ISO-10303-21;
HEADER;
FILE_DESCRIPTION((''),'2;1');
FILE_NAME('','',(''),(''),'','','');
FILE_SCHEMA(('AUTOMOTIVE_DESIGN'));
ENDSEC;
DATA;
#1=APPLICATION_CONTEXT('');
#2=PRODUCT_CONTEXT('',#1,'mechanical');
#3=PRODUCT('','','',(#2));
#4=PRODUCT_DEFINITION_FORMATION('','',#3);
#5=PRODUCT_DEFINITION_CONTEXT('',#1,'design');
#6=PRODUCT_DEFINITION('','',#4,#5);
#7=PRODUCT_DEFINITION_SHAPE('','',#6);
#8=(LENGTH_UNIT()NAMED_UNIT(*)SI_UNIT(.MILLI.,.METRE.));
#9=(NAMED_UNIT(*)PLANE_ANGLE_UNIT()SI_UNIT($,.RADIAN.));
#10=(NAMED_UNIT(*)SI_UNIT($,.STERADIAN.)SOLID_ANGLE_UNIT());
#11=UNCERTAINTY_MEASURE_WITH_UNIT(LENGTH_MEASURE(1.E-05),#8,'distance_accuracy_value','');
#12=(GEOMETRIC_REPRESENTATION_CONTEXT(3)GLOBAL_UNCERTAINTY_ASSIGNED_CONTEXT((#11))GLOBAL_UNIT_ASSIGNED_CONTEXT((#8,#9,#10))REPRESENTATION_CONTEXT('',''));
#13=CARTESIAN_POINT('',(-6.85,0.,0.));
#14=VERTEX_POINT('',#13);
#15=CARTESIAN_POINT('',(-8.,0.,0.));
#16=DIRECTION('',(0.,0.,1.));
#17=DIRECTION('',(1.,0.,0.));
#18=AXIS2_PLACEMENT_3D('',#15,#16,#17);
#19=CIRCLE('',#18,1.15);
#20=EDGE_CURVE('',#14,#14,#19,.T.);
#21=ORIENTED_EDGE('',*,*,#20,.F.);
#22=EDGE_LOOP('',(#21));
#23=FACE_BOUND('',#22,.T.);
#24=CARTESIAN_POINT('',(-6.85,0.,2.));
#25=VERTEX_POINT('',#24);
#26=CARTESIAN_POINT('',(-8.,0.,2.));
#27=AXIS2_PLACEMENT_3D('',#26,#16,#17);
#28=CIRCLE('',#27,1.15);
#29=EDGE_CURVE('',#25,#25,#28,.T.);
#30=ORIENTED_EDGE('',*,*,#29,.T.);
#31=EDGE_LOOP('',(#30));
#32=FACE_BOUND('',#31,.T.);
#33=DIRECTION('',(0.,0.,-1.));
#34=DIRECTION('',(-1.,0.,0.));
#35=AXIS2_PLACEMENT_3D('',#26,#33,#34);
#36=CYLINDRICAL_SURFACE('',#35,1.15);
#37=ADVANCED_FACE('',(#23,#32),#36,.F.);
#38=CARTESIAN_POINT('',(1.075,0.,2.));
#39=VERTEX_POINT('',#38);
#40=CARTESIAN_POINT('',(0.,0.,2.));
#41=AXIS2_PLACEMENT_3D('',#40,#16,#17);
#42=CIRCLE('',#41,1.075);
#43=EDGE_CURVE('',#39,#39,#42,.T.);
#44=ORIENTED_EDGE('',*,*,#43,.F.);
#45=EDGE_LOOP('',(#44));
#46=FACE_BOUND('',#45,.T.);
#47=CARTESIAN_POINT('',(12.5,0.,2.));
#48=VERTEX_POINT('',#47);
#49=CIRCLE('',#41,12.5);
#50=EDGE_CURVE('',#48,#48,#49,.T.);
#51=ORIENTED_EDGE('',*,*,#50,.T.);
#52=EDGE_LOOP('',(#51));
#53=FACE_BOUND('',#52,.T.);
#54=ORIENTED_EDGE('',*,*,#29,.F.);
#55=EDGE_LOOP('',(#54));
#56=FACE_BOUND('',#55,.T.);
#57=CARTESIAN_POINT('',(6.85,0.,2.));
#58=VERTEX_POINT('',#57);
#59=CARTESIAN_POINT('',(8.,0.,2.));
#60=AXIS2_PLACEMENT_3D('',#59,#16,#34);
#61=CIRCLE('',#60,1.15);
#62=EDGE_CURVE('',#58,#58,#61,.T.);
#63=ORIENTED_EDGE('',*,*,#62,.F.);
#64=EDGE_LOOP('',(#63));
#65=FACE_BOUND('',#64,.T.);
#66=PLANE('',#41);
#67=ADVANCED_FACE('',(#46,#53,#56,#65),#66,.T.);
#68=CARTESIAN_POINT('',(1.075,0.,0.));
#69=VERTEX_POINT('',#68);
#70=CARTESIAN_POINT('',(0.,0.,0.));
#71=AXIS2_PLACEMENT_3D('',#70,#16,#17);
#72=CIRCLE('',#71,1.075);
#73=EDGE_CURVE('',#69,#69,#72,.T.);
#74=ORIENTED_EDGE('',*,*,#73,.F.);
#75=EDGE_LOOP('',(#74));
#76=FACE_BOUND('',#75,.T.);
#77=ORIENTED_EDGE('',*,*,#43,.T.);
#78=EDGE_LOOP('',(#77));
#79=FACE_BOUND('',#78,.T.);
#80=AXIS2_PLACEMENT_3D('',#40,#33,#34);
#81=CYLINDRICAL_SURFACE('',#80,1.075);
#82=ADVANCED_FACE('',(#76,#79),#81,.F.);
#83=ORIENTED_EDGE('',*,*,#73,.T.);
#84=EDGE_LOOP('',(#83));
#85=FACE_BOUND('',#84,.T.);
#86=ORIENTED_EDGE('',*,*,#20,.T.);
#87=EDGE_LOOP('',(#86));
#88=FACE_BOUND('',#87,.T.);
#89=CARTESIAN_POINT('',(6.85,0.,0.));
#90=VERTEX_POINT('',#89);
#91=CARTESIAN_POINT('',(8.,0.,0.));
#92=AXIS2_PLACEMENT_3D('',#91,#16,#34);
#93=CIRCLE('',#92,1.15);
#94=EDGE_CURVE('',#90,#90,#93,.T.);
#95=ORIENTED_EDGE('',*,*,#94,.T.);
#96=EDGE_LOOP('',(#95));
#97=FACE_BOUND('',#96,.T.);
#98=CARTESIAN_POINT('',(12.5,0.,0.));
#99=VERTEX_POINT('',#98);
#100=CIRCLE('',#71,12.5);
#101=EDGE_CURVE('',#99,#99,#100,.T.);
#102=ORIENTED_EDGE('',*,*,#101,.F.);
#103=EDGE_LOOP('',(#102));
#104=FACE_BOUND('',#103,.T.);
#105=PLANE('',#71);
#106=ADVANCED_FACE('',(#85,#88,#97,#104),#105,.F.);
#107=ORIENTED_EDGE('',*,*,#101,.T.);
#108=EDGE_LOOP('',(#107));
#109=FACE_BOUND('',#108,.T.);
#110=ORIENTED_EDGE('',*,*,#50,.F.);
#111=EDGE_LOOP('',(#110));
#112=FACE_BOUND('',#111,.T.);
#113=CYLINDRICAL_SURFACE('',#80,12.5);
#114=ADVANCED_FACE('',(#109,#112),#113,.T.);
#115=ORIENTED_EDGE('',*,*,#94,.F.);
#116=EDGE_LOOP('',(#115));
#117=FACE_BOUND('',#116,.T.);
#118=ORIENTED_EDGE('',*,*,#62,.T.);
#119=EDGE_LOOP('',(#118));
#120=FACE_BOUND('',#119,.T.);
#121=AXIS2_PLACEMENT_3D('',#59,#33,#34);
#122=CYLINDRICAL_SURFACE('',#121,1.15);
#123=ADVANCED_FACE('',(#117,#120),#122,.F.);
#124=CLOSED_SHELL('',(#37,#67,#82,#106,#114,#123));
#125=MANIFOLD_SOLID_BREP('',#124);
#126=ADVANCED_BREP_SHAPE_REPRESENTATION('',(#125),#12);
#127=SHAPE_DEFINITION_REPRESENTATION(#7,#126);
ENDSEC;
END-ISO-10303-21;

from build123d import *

# Parameters (mm, degrees)
SKETCH1_R           = 12.5
SKETCH1_R_2         = 1.075
SKETCH1_R_3         = 1.15
BOSS_EXTRUDE1_DEPTH = 2


with BuildPart() as part:
    # Sketch1 → Boss-Extrude1 (new body)
    with BuildSketch(Plane.XY):
        Circle(SKETCH1_R)
        Circle(SKETCH1_R_2, mode=Mode.SUBTRACT)
        with Locations((-8, 0)):
            Circle(SKETCH1_R_3, mode=Mode.SUBTRACT)
        with Locations((8, 0)):
            Circle(SKETCH1_R_3, mode=Mode.SUBTRACT)
    extrude(amount=BOSS_EXTRUDE1_DEPTH)


solid = part.part
